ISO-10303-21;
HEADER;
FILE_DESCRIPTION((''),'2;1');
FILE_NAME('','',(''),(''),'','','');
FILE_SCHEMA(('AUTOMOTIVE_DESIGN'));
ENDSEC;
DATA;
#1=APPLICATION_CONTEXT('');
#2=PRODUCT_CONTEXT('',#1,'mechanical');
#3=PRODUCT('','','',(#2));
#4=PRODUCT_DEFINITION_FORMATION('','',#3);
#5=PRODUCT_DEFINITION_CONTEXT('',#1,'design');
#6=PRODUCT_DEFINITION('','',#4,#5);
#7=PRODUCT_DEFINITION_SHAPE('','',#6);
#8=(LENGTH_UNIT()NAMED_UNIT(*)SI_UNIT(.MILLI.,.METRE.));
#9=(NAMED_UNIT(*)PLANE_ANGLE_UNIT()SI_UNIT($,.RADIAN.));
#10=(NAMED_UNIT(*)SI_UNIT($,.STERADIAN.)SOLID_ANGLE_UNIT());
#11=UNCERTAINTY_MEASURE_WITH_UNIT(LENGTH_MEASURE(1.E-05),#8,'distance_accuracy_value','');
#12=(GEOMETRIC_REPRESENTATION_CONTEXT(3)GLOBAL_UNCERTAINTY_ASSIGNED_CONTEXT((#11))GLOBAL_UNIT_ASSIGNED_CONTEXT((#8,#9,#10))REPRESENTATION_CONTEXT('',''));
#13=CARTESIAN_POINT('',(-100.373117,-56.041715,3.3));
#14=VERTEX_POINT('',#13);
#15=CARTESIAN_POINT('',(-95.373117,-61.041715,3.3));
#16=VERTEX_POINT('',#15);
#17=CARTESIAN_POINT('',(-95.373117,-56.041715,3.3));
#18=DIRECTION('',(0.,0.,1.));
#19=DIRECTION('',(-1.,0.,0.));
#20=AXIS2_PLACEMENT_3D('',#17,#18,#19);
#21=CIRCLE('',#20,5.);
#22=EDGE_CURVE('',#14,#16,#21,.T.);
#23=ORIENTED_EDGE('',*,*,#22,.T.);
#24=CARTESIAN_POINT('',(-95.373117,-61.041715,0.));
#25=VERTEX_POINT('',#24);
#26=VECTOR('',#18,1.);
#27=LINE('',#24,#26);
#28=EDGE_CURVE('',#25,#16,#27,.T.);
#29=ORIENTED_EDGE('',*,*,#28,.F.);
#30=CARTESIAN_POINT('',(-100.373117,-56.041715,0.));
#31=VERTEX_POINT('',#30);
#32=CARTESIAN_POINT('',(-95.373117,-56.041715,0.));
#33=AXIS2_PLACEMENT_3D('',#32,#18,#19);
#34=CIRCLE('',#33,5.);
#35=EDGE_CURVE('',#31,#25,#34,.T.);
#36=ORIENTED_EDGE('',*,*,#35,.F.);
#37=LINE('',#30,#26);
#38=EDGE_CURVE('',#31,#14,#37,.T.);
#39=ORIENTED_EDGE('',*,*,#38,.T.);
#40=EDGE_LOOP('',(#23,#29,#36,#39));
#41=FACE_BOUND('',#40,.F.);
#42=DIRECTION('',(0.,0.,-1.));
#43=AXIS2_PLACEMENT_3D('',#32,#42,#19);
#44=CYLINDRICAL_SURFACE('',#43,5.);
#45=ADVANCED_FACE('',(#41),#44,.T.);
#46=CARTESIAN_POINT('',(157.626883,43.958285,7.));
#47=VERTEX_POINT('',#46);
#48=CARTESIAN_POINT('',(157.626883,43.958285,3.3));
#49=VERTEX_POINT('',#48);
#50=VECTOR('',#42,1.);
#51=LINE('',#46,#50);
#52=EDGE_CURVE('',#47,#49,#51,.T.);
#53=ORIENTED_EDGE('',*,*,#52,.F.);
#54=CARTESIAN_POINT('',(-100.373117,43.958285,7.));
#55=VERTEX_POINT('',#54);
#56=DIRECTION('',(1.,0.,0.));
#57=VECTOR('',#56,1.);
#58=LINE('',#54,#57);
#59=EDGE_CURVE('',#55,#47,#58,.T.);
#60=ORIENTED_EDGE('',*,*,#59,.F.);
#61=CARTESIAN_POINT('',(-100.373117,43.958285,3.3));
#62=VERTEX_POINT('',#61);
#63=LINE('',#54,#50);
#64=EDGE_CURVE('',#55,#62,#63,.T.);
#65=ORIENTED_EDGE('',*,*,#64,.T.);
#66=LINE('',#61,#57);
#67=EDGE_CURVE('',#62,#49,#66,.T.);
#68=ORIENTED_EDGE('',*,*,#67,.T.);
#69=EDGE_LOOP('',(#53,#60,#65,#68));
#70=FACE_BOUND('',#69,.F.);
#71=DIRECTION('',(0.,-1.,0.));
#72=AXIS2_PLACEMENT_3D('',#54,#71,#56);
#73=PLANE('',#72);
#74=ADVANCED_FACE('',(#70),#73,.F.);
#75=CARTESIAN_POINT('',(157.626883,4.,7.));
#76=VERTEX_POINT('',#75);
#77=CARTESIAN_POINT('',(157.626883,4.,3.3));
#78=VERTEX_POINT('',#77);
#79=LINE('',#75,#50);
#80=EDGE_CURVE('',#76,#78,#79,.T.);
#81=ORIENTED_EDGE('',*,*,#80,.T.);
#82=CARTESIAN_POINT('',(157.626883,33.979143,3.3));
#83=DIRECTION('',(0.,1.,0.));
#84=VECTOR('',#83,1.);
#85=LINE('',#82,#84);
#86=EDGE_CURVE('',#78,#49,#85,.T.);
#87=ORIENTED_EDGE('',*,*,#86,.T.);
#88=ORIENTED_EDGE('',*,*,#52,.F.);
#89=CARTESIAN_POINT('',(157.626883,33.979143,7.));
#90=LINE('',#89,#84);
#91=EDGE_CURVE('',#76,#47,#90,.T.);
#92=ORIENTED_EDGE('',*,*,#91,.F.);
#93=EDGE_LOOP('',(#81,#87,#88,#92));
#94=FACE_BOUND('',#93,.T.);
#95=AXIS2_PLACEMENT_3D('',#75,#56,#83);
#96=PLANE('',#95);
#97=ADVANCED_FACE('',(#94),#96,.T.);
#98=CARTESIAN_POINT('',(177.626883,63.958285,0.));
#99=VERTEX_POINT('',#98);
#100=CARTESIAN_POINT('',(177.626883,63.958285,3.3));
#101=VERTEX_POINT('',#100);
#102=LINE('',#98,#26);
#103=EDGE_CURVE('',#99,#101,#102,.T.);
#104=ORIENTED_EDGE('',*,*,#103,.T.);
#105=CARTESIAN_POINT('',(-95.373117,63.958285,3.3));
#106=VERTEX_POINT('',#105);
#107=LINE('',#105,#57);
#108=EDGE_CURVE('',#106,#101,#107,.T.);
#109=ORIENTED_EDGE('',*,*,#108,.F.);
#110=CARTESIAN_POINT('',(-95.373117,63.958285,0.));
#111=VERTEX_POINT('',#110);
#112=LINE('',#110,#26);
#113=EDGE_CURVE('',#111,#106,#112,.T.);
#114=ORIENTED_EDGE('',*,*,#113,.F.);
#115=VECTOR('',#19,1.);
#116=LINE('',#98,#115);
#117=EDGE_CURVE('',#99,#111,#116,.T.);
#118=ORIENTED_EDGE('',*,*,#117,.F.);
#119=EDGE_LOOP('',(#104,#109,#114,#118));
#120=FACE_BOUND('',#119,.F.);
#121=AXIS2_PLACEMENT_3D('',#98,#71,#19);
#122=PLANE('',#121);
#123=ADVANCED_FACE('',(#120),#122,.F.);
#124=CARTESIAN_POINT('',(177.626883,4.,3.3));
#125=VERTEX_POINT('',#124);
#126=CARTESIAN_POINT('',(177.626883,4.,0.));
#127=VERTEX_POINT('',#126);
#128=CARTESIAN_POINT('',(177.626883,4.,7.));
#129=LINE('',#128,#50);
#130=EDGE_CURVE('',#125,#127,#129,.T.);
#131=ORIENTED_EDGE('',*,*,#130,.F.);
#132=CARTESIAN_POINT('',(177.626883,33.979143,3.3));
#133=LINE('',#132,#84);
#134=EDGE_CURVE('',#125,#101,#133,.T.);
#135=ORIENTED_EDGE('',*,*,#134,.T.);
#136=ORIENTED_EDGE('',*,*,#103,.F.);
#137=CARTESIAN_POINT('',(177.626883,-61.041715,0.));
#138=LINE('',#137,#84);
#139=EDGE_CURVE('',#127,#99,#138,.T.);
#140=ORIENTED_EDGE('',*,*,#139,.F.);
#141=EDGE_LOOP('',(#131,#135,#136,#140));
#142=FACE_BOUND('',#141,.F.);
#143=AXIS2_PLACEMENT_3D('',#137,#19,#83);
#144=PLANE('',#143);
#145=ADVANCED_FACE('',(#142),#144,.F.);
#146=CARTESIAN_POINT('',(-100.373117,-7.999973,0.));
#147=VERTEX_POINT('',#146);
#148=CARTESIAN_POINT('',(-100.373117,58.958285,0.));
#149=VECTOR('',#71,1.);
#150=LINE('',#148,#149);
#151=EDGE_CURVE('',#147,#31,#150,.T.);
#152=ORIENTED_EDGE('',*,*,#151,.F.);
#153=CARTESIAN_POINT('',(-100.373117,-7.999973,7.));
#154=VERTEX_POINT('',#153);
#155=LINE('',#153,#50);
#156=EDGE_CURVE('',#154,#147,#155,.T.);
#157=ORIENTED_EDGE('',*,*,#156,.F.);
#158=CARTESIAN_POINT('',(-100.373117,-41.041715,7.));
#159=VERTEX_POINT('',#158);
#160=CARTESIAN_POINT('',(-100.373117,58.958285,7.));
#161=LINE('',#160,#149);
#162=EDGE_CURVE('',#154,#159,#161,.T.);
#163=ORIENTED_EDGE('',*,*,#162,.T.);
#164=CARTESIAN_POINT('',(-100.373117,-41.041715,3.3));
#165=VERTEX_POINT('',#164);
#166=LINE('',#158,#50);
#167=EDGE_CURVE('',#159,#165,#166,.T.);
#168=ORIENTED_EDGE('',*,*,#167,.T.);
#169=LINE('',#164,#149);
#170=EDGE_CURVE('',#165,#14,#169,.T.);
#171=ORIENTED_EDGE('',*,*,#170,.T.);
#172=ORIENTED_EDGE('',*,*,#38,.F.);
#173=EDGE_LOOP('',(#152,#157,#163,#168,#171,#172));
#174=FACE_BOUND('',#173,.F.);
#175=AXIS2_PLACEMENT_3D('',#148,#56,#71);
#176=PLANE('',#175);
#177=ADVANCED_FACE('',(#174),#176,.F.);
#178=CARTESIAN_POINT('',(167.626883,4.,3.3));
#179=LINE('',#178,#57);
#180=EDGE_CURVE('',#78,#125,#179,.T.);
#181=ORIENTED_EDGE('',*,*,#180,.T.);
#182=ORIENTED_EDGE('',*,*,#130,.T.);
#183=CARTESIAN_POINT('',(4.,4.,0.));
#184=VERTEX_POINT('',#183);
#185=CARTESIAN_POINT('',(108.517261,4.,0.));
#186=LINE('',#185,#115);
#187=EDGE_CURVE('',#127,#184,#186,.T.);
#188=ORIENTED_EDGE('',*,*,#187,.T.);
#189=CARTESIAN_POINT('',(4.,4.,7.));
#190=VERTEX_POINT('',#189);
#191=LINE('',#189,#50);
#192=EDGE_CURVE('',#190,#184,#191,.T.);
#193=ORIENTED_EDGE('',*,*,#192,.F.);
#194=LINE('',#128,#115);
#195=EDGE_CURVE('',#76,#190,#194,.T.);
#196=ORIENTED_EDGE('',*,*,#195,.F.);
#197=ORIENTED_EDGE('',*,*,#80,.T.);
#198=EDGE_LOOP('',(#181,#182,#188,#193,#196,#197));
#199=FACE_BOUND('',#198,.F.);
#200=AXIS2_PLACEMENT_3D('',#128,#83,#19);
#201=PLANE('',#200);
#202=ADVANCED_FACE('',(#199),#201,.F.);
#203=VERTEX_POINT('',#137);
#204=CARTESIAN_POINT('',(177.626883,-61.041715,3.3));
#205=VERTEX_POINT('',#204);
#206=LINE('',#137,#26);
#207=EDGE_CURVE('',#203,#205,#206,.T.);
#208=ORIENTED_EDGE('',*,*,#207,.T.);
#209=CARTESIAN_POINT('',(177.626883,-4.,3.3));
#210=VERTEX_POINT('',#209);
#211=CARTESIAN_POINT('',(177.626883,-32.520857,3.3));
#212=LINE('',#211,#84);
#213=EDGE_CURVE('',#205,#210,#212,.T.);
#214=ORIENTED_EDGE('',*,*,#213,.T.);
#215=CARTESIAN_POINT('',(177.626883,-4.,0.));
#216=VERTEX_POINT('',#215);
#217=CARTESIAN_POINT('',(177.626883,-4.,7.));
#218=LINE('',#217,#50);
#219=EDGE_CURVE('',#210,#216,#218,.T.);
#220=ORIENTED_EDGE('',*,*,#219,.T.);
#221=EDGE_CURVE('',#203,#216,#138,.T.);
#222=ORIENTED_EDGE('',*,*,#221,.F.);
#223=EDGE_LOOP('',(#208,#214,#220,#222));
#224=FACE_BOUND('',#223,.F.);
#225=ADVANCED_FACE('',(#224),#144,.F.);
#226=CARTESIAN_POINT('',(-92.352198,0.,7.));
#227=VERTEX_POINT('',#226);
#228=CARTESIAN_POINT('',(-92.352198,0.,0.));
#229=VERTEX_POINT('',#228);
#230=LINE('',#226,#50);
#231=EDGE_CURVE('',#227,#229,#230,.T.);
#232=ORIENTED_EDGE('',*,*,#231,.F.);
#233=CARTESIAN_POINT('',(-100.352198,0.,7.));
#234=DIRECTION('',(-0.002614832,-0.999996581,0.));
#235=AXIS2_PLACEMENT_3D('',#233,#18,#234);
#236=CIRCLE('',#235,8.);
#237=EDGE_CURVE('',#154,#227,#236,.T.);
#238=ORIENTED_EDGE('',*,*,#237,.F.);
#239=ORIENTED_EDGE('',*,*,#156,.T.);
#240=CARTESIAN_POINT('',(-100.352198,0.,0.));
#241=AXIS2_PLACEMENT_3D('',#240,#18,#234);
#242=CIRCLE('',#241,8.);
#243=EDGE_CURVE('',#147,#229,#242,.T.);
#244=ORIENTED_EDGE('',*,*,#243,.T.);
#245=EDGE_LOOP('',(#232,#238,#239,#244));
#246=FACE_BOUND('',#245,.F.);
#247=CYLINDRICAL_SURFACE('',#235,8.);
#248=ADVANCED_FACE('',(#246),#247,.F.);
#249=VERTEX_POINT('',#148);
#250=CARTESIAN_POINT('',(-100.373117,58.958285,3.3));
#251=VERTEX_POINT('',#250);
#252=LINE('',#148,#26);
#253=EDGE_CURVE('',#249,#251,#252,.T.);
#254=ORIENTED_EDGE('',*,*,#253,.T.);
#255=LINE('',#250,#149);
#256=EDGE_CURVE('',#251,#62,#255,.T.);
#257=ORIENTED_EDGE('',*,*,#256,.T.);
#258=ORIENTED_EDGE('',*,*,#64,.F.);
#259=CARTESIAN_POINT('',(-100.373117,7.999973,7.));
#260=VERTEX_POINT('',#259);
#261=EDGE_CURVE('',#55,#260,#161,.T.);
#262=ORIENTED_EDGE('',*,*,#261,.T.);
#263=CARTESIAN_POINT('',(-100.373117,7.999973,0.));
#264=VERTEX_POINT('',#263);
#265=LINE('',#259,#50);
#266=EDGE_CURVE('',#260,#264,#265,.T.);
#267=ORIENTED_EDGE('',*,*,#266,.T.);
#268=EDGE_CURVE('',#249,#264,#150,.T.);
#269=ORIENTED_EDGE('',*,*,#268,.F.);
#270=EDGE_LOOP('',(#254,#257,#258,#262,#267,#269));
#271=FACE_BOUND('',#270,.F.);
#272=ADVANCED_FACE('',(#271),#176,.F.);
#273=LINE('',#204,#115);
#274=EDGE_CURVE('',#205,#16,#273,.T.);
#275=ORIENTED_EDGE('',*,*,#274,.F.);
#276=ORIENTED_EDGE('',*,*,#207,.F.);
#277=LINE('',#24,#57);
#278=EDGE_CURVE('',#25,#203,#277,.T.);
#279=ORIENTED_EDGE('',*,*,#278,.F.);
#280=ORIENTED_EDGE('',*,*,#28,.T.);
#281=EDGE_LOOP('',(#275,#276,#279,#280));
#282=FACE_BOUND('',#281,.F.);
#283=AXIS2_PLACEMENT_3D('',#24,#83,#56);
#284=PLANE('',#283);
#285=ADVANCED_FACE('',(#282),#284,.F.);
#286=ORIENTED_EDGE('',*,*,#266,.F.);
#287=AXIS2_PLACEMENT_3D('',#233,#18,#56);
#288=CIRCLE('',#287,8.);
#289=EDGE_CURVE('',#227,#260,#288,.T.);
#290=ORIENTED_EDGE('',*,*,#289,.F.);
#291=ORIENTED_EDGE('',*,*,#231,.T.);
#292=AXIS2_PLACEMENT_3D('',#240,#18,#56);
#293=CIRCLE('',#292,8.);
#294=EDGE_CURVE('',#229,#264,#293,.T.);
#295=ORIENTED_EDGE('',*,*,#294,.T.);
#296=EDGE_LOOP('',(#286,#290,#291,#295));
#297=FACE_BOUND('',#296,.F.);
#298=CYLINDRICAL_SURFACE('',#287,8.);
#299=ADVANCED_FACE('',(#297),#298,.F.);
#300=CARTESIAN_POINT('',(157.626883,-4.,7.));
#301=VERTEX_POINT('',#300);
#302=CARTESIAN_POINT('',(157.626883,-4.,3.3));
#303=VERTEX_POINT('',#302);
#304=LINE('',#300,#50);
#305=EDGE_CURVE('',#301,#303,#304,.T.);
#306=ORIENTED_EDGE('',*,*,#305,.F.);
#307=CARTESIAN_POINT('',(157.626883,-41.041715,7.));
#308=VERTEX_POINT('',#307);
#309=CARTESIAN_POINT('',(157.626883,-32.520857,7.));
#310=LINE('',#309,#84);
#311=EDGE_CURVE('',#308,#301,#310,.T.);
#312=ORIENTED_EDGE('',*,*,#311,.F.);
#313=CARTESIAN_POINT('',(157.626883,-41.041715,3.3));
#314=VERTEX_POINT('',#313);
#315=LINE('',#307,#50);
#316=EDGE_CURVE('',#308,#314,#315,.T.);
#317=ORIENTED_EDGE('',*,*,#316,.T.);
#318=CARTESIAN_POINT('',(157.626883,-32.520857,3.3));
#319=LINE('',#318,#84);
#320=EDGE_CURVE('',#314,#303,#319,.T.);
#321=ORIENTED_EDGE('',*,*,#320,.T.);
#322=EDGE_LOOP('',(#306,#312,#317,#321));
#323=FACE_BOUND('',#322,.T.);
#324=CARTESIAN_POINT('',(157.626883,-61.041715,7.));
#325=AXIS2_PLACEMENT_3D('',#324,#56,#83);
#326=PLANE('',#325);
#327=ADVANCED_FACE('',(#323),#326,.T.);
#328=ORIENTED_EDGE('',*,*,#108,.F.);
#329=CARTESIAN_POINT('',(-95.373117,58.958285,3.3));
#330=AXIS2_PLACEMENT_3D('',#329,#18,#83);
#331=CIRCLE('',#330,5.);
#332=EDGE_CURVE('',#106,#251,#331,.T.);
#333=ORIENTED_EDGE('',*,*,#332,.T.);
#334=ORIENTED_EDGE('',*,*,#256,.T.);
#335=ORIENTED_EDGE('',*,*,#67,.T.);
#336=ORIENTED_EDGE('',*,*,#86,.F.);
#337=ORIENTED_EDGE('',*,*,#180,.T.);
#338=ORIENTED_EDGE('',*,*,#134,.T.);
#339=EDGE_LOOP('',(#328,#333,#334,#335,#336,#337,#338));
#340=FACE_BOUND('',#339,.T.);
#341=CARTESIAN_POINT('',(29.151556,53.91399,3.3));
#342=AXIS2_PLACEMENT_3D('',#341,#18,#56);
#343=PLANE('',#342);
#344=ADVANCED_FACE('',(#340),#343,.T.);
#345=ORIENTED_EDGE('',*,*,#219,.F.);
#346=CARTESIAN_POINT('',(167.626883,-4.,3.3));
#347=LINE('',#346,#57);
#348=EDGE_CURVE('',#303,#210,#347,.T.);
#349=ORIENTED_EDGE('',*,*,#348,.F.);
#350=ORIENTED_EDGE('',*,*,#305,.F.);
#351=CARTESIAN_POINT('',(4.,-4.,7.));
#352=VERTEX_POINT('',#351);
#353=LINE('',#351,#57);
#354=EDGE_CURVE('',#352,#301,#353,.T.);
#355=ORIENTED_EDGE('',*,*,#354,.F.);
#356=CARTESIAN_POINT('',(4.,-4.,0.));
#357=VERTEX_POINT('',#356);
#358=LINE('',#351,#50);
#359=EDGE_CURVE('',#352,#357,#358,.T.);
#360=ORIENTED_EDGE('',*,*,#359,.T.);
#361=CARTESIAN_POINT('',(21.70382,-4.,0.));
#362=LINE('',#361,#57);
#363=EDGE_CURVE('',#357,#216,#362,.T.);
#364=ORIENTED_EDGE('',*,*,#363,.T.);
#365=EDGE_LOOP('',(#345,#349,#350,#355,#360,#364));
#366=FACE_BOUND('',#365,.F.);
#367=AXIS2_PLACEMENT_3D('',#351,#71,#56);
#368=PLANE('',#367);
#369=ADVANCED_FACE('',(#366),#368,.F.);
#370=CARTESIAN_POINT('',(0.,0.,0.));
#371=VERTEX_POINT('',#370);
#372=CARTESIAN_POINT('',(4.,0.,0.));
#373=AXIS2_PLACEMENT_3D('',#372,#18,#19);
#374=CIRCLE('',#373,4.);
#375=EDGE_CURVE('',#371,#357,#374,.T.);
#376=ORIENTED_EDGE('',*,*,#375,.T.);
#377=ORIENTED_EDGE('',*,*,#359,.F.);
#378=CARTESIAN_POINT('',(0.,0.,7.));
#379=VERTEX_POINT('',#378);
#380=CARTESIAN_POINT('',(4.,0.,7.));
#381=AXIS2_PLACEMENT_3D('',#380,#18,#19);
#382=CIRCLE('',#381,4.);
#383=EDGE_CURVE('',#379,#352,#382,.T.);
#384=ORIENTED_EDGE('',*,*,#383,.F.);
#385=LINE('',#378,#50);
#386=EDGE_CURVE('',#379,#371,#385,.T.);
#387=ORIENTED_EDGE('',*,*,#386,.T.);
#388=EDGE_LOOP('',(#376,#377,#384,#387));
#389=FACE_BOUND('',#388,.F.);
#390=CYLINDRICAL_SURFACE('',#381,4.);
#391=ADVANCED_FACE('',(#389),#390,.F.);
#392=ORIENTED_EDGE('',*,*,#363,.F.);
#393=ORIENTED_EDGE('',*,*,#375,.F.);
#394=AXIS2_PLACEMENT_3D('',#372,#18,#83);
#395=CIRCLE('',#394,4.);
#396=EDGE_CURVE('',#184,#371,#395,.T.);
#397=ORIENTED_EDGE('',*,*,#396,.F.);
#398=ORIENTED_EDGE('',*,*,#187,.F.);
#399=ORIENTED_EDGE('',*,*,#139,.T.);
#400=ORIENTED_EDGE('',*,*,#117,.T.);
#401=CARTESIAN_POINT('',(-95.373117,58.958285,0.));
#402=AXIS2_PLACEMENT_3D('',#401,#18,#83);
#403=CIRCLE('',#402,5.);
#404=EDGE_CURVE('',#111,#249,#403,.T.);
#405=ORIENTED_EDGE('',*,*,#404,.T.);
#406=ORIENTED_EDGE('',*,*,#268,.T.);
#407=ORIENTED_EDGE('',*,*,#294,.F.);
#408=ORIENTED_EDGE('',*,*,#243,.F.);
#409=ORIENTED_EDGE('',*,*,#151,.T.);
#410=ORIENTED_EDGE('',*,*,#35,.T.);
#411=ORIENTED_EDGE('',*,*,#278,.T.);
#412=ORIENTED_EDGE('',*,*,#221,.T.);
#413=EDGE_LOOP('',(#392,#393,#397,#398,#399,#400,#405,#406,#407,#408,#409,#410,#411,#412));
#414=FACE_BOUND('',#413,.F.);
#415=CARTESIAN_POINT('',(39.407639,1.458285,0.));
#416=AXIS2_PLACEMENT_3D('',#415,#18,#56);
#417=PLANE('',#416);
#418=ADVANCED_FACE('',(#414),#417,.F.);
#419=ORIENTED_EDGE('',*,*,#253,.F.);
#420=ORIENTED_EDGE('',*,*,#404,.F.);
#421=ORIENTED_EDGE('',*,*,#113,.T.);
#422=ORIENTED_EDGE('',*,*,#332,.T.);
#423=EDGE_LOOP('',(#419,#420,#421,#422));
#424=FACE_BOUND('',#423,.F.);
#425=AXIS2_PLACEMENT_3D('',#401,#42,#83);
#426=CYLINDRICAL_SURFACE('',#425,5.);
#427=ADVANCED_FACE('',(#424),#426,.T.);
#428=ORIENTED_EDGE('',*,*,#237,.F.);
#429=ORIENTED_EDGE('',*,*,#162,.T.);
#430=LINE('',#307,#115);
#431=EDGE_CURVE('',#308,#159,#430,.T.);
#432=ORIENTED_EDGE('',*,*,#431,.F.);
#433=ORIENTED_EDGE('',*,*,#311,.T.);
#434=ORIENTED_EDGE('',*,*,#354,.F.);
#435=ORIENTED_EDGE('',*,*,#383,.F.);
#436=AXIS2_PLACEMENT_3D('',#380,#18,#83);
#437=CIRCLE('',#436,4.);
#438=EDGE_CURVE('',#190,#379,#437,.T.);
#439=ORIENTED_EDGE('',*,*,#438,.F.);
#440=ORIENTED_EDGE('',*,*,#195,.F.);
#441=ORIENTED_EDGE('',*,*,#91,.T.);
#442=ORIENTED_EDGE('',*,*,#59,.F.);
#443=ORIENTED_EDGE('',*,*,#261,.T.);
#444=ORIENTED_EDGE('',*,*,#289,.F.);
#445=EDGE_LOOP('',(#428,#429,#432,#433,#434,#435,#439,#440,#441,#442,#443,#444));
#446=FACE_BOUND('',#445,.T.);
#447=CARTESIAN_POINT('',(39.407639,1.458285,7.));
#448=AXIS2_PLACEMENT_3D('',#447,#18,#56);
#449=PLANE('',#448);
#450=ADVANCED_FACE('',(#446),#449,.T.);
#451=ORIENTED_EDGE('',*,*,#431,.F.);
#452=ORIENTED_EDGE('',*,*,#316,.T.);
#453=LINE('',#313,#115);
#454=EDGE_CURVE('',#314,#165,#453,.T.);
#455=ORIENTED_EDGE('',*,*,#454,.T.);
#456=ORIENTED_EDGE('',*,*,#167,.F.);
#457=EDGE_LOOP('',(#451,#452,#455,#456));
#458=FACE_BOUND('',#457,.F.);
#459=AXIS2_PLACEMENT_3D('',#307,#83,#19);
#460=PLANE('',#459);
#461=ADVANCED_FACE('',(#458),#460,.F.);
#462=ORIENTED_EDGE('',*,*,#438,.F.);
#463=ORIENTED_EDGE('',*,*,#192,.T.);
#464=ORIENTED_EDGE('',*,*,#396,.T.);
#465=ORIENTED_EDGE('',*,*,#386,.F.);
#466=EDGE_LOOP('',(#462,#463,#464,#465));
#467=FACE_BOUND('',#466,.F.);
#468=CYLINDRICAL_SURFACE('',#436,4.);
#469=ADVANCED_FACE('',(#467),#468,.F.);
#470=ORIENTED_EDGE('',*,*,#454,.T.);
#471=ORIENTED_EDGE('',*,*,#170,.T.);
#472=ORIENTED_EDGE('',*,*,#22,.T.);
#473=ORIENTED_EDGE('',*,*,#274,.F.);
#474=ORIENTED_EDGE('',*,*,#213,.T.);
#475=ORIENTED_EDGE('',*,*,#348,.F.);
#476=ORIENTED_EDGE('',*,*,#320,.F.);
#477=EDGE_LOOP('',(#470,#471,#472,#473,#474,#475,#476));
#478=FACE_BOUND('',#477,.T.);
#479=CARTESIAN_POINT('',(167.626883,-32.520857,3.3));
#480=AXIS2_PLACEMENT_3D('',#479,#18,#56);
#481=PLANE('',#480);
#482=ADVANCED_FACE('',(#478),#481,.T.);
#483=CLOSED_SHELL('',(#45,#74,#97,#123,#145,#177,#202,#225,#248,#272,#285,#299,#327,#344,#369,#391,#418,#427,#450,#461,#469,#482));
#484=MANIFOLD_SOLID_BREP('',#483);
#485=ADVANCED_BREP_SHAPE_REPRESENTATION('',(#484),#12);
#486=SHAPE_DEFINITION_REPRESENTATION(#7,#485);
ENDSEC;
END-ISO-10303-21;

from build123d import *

# Parameters (mm, degrees)
F1_DEPTH  = 7
F3_DEPTH  = 25
F5_DEPTH  = 25
F7_DEPTH  = 25
F8_W      = 20
F8_H      = 59.9582853711
F8_H_2    = 57.0417146289
F9_DEPTH  = 3.7
F11_DEPTH = 3.7


with BuildPart() as f1:
    # F0 (on Top) → F1 (new body)
    with BuildSketch(Plane.XY):
        with BuildLine():
            Line((177.6268834546, 63.9582853711), (-95.3731165454, 63.9582853711))
            ThreePointArc((-95.3731165454, 63.9582853711), (-98.9086504513, 62.493819277), (-100.3731165454, 58.9582853711))
            Line((-100.3731165454, 58.9582853711), (-100.3731165454, -56.0417146289))
            ThreePointArc((-100.3731165454, -56.0417146289), (-98.9086504513, -59.5772485349), (-95.3731165454, -61.0417146289))
            Line((-95.3731165454, -61.0417146289), (177.6268834546, -61.0417146289))
            Line((177.6268834546, -61.0417146289), (177.6268834546, 63.9582853711))
        make_face()
    extrude(amount=F1_DEPTH)

    # F2 (on face) → F3 (cut)
    with BuildSketch(Plane.XY.offset(7)):
        with BuildLine():
            Line((177.6268834546, -4), (177.6268834546, 0))
            Line((177.6268834546, 0), (0, 0))
            ThreePointArc((0, 0), (1.1715728753, -2.8284271247), (4, -4))
            Line((4, -4), (177.6268834546, -4))
        make_face()
    extrude(amount=-F3_DEPTH, mode=Mode.SUBTRACT)

    # F4 (on face) → F5 (cut)
    with BuildSketch(Plane.XY.offset(7)):
        with BuildLine():
            ThreePointArc((4, 4), (1.1715728753, 2.8284271247), (0, 0))
            Line((0, 0), (177.6268834546, 0))
            Line((177.6268834546, 0), (177.6268834546, 4))
            Line((177.6268834546, 4), (4, 4))
        make_face()
    extrude(amount=-F5_DEPTH, mode=Mode.SUBTRACT)

    # F6 (on face) → F7 (cut)
    with BuildSketch(Plane.XY.offset(7)):
        with BuildLine():
            ThreePointArc((-100.3731165454, -7.9999726506), (-94.7027443402, -5.6642452842), (-92.3521978855, 0))
            ThreePointArc((-92.3521978855, 0), (-94.7027443402, 5.6642452842), (-100.3731165454, 7.9999726506))
            Line((-100.3731165454, 7.9999726506), (-100.3731165454, -7.9999726506))
        make_face()
    extrude(amount=-F7_DEPTH, mode=Mode.SUBTRACT)

    # F8 (on face) → F9 (cut)
    with BuildSketch(Plane.XY.offset(7)):
        with Locations((167.6268834546, 33.9791426855)):
            Rectangle(F8_W, F8_H)
        with Locations((167.6268834546, -32.5208573145)):
            Rectangle(F8_W, F8_H_2)
    extrude(amount=-F9_DEPTH, mode=Mode.SUBTRACT)

    # F10 (on face) → F11 (cut)
    with BuildSketch(Plane.XY.offset(7)):
        with BuildLine():
            Line((157.6268834546, 43.9582853711), (157.6268834546, 63.9582853711))
            Line((157.6268834546, 63.9582853711), (-95.3731165454, 63.9582853711))
            ThreePointArc((-95.3731165454, 63.9582853711), (-98.9086504513, 62.493819277), (-100.3731165454, 58.9582853711))
            Line((-100.3731165454, 58.9582853711), (-100.3731165454, 43.9582853711))
            Line((-100.3731165454, 43.9582853711), (157.6268834546, 43.9582853711))
        make_face()
        with BuildLine():
            Line((157.6268834546, -41.0417146289), (-100.3731165454, -41.0417146289))
            Line((-100.3731165454, -41.0417146289), (-100.3731165454, -56.0417146289))
            ThreePointArc((-100.3731165454, -56.0417146289), (-98.9086504513, -59.5772485349), (-95.3731165454, -61.0417146289))
            Line((-95.3731165454, -61.0417146289), (157.6268834546, -61.0417146289))
            Line((157.6268834546, -61.0417146289), (157.6268834546, -41.0417146289))
        make_face()
    extrude(amount=-F11_DEPTH, mode=Mode.SUBTRACT)


solid = f1.part
